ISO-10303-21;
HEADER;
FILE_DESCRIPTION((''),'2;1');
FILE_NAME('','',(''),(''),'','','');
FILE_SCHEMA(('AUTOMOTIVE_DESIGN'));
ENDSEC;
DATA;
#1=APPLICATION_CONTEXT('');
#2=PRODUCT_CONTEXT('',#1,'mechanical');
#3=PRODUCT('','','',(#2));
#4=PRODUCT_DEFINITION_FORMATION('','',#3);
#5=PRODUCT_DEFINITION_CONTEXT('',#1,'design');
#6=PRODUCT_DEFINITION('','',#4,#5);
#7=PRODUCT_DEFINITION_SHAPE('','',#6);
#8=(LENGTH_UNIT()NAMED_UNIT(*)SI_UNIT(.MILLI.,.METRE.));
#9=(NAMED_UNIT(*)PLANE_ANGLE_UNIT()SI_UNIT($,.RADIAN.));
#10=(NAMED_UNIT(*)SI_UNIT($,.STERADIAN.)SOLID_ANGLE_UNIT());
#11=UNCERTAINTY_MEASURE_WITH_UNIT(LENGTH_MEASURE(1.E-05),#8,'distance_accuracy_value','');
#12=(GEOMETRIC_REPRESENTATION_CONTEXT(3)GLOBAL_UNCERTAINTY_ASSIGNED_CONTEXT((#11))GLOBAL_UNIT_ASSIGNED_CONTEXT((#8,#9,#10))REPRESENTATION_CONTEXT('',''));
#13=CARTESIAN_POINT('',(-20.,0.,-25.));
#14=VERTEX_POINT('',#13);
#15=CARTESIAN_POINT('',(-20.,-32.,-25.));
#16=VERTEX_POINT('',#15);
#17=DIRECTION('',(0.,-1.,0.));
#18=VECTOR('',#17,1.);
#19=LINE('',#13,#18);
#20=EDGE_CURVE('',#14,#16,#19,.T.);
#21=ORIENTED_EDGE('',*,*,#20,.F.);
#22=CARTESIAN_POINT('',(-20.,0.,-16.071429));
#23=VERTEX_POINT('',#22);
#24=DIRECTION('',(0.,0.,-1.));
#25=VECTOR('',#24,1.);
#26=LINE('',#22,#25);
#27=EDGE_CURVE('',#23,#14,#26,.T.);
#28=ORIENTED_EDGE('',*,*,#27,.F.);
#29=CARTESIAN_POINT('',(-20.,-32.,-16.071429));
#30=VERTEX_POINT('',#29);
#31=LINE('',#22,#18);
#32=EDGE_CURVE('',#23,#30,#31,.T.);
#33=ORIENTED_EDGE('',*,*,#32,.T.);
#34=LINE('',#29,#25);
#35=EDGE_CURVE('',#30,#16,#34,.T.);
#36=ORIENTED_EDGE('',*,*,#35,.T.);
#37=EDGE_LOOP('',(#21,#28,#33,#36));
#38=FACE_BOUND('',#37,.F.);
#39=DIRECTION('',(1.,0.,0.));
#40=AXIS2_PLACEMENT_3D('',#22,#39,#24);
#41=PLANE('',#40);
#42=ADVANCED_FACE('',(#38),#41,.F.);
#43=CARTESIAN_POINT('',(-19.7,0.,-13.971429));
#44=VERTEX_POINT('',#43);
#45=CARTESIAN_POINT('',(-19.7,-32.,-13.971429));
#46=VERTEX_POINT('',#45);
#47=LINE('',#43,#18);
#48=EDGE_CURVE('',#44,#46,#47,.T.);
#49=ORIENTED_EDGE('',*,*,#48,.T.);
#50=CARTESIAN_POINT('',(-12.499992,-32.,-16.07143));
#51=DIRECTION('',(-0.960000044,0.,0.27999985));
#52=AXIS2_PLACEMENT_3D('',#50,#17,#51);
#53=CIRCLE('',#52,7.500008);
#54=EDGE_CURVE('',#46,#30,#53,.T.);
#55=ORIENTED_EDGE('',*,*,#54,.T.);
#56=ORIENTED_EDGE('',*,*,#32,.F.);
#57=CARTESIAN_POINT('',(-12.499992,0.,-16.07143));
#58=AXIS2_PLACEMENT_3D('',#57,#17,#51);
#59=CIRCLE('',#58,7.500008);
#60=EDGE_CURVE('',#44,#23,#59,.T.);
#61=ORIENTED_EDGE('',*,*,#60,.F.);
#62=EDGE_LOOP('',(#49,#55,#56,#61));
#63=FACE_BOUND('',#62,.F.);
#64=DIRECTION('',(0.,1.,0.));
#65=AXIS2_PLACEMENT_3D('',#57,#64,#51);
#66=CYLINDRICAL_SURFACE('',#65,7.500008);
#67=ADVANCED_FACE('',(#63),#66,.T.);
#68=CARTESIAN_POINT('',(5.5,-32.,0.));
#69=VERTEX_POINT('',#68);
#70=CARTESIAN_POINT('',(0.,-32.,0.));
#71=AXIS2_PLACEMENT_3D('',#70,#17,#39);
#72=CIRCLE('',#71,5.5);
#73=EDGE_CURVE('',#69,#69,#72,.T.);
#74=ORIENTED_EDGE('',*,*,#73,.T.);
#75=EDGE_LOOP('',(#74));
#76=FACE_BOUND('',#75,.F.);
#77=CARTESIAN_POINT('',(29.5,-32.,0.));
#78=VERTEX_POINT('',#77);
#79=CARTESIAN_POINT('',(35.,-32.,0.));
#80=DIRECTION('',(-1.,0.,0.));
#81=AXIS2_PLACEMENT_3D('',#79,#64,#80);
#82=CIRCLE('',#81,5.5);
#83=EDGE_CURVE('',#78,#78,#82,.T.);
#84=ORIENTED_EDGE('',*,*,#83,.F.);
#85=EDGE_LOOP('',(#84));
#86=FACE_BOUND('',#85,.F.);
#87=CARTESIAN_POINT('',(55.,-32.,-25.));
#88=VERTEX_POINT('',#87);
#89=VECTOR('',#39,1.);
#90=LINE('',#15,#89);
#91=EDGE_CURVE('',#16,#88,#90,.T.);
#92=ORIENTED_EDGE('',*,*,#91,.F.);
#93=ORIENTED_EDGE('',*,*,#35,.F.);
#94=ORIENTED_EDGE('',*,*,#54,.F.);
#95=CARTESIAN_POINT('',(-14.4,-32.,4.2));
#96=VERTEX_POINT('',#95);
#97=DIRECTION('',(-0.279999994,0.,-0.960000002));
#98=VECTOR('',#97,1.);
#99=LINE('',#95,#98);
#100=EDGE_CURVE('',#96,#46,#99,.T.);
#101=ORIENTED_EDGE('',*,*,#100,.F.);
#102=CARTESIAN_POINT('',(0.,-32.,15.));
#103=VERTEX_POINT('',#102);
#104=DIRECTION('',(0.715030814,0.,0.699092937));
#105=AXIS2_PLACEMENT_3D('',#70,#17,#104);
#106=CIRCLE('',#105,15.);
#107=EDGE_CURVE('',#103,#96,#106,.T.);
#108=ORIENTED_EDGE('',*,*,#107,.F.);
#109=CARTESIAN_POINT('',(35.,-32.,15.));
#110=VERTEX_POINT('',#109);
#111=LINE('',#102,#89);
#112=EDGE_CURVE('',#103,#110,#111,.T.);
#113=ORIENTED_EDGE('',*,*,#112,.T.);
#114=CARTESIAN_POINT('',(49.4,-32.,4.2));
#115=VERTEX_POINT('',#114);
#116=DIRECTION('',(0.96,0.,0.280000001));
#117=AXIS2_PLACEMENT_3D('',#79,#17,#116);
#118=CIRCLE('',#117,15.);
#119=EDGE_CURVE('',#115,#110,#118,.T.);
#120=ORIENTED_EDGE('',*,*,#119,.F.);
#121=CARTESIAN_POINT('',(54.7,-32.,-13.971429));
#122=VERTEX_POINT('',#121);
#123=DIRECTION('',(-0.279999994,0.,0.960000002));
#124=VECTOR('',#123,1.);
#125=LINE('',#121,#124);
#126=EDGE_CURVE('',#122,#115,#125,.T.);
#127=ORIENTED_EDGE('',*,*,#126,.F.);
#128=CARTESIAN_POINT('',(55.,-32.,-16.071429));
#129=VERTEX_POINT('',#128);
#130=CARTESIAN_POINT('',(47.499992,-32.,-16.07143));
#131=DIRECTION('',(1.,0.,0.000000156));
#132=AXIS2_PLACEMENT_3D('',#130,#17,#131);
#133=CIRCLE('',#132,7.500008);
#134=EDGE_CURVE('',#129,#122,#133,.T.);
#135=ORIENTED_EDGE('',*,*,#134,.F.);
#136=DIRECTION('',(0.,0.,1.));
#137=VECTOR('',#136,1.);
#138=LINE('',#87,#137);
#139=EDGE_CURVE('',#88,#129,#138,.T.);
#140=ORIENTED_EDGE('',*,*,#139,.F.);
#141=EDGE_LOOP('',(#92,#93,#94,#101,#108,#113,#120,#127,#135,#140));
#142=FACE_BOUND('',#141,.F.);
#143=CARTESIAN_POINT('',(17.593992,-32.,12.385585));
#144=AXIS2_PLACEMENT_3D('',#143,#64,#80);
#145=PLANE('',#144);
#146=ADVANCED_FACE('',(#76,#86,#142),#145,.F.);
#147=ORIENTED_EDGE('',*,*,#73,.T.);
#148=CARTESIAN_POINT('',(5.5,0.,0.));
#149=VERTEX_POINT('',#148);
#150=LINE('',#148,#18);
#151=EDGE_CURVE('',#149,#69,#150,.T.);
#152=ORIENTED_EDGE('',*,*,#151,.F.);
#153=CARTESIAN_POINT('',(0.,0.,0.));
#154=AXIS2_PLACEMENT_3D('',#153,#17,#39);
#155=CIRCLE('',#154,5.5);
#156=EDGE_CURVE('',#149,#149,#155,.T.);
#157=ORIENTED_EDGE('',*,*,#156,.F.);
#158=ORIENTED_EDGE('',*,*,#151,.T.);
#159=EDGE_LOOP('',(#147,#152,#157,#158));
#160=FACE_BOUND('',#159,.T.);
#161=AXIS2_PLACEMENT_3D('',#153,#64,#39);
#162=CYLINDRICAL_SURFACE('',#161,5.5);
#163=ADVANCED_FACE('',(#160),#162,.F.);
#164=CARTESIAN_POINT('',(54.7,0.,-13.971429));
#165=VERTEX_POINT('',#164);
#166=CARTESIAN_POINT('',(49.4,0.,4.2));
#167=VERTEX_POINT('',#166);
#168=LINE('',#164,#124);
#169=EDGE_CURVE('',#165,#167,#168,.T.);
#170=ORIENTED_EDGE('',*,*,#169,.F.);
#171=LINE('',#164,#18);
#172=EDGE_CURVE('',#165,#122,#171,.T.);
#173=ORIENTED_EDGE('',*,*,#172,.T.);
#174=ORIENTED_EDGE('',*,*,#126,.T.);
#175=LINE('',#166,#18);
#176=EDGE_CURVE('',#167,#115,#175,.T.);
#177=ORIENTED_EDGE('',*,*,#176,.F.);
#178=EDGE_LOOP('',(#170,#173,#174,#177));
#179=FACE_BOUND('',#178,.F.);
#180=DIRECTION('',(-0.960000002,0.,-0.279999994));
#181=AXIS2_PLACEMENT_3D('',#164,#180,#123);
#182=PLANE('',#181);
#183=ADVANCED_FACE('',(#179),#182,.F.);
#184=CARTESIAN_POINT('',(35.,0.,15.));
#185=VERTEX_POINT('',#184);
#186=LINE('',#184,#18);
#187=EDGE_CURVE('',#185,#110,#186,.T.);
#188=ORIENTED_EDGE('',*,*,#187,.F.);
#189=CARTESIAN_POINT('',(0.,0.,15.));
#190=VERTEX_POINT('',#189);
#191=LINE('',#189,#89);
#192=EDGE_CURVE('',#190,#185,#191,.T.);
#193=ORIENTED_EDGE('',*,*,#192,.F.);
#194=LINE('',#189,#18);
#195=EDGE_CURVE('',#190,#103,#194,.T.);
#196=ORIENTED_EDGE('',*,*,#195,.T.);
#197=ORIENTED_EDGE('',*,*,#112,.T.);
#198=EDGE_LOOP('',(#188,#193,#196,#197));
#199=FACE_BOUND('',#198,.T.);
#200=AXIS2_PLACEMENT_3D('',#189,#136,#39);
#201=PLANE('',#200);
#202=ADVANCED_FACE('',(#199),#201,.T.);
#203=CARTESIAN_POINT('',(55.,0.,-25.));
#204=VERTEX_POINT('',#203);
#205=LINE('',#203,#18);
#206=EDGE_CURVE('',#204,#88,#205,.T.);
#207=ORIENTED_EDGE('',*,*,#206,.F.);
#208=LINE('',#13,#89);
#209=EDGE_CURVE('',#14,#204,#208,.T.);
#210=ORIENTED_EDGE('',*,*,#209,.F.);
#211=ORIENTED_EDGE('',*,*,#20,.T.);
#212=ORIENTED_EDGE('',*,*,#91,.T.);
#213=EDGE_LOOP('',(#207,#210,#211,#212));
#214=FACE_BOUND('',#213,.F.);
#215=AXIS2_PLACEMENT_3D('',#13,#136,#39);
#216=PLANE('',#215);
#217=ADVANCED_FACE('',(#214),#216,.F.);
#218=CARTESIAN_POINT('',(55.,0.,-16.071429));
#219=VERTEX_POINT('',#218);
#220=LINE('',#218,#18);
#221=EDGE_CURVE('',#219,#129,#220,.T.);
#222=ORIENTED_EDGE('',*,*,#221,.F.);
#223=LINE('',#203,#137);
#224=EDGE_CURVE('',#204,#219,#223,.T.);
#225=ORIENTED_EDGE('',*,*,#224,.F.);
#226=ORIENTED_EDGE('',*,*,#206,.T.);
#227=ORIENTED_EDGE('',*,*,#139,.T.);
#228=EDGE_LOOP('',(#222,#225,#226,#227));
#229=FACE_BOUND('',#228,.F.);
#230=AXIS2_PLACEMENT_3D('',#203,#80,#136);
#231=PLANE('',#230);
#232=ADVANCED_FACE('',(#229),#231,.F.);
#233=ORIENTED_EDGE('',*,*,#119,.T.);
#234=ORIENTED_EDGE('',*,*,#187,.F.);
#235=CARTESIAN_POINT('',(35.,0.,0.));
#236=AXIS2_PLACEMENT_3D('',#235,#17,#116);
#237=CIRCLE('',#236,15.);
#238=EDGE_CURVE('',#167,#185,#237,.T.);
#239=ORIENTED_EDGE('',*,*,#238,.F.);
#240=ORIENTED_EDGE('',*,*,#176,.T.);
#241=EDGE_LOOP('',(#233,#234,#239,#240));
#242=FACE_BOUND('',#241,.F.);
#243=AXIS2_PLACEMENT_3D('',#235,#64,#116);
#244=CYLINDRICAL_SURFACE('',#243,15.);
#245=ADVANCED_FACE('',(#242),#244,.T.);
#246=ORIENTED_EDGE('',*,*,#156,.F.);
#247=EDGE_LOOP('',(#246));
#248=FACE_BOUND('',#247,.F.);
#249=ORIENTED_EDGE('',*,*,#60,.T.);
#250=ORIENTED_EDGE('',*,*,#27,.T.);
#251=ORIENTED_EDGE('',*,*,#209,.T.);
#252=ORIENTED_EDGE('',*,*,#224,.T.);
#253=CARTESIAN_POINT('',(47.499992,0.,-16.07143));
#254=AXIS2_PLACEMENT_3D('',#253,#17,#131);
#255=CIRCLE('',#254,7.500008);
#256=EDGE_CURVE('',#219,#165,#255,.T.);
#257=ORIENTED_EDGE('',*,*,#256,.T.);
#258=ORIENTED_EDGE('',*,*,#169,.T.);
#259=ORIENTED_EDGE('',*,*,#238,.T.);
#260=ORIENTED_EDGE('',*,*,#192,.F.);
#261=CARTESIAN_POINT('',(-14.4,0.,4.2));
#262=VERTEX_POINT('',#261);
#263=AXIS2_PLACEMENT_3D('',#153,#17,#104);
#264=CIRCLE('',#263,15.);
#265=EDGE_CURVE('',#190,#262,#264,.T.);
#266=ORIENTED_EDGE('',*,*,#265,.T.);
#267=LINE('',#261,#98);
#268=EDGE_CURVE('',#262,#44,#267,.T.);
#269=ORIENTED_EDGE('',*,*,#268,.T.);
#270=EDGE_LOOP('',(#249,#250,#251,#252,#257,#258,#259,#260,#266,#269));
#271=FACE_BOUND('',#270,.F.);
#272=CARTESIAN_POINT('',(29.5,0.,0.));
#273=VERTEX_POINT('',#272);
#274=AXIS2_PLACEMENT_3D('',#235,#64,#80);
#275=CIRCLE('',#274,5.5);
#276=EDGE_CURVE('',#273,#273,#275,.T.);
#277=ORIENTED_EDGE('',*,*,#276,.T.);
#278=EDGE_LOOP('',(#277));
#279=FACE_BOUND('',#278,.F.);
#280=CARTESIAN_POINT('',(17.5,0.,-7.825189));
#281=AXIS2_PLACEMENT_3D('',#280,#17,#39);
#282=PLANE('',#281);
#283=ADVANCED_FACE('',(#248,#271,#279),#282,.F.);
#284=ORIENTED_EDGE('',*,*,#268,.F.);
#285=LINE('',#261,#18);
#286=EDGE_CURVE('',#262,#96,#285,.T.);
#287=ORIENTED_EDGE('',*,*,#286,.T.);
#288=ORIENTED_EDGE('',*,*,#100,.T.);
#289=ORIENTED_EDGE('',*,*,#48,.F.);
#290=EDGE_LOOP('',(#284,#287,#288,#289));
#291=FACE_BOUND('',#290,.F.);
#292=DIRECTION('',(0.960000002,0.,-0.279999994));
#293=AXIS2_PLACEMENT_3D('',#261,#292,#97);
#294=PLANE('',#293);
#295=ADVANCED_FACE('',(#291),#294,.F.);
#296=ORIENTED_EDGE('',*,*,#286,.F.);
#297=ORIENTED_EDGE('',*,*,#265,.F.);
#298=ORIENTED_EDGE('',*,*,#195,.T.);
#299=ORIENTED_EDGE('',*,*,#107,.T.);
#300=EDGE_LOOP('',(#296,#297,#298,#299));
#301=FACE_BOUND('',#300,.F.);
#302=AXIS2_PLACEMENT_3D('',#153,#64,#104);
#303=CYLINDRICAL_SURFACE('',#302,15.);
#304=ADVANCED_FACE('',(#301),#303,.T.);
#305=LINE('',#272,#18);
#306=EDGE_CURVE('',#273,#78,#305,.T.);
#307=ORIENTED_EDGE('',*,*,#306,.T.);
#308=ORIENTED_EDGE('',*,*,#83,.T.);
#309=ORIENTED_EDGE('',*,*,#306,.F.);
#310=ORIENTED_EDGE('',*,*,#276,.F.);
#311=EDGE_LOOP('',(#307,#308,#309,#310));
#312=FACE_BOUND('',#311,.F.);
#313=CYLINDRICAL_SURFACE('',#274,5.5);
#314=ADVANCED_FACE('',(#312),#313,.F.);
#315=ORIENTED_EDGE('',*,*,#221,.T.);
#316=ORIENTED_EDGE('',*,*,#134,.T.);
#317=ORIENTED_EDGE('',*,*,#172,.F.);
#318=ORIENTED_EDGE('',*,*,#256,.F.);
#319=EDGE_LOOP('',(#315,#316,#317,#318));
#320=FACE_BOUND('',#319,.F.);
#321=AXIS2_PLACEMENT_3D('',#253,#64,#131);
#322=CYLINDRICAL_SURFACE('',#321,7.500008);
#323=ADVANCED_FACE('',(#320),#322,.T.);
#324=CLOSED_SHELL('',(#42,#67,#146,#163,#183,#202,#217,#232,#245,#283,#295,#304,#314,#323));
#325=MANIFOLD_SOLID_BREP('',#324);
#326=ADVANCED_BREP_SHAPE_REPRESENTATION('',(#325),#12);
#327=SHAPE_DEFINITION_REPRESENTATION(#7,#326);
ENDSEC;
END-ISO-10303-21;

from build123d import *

# Parameters (mm, degrees)
F0_R     = 5.5
F1_DEPTH = 32
F3_DEPTH = 32


with BuildPart() as f1:
    # F0 (on Front) → F1 (new body)
    with BuildSketch(Plane.XZ):
        with BuildLine():
            ThreePointArc((16.088193, 8.229591), (13.179068, 8.816778), (10.725462, 10.486394))
            ThreePointArc((10.725462, 10.486394), (-3.640775, 14.551452), (-14.4, 4.2))
            Line((-14.4, 4.2), (-19.7, -13.971429))
            ThreePointArc((-19.7, -13.971429), (-19.924621, -15.010768), (-20, -16.071429))
            Line((-20, -16.071429), (-20, -25))
            Line((-20, -25), (0, -25))
            Line((0, -25), (20, -25))
            Line((20, -25), (50, -25))
            Line((50, -25), (55, -25))
            Line((55, -25), (55, -16.071429))
            ThreePointArc((55, -16.071429), (54.924621, -15.010768), (54.7, -13.971429))
            Line((54.7, -13.971429), (49.4, 4.2))
            ThreePointArc((49.4, 4.2), (38.640775, 14.551452), (24.274538, 10.486394))
            ThreePointArc((24.274538, 10.486394), (21.820932, 8.816778), (18.911807, 8.229591))
            Line((18.911807, 8.229591), (16.088193, 8.229591))
        make_face()
        Circle(F0_R, mode=Mode.SUBTRACT)
        with BuildLine():
            ThreePointArc((40.5, 0), (35, -5.5), (29.5, 0))
            ThreePointArc((29.5, 0), (35, 5.5), (40.5, 0))
        make_face(mode=Mode.SUBTRACT)
    extrude(amount=F1_DEPTH)

    # F2 (on face) → F3 (join)
    with BuildSketch(Plane(origin=(0, 0, 0), x_dir=(-1, 0, 0), z_dir=(0, 1, 0))):
        Polygon((-18.970614, 5.210728), (0, 15), (-35, 15), align=None)
    extrude(amount=-F3_DEPTH)


solid = f1.part
